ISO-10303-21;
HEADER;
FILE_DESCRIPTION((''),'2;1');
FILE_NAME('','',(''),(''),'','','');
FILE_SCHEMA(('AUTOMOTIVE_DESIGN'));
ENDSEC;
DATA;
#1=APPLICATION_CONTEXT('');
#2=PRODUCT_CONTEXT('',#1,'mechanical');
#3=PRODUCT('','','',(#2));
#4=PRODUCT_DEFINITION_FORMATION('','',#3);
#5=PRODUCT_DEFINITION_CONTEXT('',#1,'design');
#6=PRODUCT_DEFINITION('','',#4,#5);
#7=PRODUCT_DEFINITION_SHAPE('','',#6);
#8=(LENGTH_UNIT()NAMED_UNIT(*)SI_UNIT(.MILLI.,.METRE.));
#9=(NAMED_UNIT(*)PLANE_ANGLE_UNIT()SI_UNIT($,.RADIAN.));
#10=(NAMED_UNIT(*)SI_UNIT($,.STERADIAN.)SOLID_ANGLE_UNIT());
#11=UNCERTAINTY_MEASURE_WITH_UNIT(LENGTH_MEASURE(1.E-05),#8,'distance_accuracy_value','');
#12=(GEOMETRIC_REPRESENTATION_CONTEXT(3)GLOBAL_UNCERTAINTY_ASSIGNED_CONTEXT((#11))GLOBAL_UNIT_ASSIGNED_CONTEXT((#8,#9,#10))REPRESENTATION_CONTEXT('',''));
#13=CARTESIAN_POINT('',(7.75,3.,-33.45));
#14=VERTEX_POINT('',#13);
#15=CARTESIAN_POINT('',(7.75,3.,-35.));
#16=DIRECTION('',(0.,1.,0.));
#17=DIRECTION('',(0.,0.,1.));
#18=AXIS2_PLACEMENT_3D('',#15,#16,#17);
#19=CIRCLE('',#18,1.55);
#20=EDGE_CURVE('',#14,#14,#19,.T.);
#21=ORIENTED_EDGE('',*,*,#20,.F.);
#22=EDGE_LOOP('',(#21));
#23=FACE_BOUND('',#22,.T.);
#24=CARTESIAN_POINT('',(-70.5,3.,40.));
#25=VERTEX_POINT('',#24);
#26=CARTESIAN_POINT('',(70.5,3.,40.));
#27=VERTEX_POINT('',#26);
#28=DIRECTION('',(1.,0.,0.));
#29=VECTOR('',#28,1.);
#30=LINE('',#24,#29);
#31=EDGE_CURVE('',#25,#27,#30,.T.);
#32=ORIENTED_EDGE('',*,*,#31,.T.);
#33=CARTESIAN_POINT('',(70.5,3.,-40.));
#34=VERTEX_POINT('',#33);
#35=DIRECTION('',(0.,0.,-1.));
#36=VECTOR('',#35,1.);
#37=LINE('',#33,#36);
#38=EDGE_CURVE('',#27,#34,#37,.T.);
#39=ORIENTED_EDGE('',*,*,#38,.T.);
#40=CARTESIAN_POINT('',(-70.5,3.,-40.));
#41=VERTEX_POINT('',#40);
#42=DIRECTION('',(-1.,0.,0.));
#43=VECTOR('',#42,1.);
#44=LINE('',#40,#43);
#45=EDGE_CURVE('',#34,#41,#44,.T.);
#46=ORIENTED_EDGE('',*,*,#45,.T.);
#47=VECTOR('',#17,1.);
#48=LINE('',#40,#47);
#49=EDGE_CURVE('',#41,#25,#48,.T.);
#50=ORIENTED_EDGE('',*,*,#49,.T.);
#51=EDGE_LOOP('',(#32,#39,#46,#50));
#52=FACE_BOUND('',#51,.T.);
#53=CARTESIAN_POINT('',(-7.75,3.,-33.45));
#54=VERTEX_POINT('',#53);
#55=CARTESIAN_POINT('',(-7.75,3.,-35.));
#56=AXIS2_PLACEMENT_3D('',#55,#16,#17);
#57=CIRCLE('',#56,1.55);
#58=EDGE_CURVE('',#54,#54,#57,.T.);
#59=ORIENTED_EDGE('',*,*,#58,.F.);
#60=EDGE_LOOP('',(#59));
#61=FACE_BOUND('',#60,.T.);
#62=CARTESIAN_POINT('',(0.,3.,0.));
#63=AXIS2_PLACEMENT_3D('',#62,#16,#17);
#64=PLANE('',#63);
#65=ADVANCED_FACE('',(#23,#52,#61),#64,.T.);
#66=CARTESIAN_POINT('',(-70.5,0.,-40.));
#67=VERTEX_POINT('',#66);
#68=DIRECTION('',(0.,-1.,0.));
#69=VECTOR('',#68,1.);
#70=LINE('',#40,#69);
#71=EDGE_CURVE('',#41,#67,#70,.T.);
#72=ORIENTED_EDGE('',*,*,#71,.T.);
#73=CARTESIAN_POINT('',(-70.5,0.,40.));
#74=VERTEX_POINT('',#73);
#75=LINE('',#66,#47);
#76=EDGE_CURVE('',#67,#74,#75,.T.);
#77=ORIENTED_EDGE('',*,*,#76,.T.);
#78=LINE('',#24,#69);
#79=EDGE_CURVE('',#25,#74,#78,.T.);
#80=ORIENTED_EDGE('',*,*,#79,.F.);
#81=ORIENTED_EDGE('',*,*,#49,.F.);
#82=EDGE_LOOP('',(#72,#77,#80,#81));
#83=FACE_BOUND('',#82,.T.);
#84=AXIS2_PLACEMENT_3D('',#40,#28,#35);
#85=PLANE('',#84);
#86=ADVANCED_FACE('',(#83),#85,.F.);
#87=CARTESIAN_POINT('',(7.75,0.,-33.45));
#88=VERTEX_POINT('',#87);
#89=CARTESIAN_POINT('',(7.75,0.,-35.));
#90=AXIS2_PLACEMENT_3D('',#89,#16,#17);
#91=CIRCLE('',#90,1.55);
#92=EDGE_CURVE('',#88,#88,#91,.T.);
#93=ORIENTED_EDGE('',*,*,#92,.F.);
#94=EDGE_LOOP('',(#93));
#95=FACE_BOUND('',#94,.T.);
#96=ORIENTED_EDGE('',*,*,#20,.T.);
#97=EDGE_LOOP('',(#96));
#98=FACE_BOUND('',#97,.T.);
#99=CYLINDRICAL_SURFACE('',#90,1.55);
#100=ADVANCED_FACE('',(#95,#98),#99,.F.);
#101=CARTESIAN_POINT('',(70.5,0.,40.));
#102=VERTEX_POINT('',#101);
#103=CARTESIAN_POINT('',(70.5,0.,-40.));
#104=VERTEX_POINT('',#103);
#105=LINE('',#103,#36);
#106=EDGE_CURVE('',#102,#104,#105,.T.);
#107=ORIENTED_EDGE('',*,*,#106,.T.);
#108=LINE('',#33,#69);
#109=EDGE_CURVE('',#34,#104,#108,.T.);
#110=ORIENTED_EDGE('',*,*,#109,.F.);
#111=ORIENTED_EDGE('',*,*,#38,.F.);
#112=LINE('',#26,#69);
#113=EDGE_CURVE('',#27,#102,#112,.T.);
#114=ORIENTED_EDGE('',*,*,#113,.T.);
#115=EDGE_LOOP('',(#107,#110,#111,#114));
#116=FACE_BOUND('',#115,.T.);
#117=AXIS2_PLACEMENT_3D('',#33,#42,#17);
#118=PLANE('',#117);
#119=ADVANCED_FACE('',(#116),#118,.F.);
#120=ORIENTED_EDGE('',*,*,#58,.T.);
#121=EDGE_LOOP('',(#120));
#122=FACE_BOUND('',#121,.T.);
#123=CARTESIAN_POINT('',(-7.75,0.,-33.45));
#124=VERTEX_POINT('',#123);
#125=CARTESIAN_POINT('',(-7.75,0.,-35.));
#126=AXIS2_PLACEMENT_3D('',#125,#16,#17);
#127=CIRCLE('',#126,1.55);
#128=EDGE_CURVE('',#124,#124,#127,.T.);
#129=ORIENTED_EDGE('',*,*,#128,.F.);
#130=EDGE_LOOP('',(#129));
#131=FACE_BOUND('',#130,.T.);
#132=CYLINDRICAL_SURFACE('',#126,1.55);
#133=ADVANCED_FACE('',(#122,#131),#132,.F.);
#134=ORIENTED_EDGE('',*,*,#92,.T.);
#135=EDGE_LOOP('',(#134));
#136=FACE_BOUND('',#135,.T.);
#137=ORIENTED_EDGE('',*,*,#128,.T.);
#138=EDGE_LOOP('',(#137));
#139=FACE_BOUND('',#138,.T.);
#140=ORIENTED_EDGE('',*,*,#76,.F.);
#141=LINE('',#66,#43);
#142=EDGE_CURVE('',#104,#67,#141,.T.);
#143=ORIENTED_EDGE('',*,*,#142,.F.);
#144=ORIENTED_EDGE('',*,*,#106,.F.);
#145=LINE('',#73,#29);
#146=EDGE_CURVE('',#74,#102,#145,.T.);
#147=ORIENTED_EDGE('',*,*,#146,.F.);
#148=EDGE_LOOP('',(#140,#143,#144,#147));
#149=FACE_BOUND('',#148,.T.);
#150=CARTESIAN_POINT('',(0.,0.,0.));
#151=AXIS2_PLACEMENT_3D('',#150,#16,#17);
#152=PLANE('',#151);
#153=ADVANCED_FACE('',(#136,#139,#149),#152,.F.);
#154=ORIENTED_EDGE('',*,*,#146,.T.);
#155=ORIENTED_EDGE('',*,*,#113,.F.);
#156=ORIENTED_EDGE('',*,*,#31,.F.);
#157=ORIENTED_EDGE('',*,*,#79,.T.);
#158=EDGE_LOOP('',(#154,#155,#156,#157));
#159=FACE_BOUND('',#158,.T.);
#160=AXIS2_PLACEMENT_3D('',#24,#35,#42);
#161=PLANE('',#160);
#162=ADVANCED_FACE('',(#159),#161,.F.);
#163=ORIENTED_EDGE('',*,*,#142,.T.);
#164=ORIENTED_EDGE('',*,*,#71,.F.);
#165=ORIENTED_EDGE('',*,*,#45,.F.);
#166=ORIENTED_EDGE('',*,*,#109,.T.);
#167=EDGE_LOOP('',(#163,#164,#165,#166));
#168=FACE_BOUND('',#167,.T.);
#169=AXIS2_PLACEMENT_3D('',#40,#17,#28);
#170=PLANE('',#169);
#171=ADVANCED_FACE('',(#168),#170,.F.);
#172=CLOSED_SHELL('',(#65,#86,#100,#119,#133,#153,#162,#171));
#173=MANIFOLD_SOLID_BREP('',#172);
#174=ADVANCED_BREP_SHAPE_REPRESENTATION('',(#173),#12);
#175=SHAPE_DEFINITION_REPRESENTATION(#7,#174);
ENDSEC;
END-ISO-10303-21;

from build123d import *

# Parameters (mm, degrees)
SKETCH_1_W          = 141
SKETCH_1_H          = 80
EXTRUDE_1_DEPTH     = 3
SKETCH_2_R          = 1.55
CUT_EXTRUDE_1_DEPTH = 3


with BuildPart() as part:
    # ｽｹｯﾁ1 → ﾎﾞｽ - 押し出し1 (new body)
    with BuildSketch(Plane(origin=(0, 0, 0), x_dir=(1, 0, 0), z_dir=(0, 1, 0))):
        Rectangle(SKETCH_1_W, SKETCH_1_H)
    extrude(amount=EXTRUDE_1_DEPTH)

    # ｽｹｯﾁ2 → ｶｯﾄ - 押し出し1 (cut)
    with BuildSketch(Plane(origin=(0, 3, 0), x_dir=(1, 0, 0), z_dir=(0, 1, 0))):
        with Locations(Location((-7.75, 35, 0), (0, 0, 270))):  # turned: the seam where the file's is
            Circle(SKETCH_2_R)
        with Locations(Location((7.75, 35, 0), (0, 0, 270))):  # turned: the seam where the file's is
            Circle(SKETCH_2_R)
    extrude(amount=-CUT_EXTRUDE_1_DEPTH, mode=Mode.SUBTRACT)


solid = part.part
